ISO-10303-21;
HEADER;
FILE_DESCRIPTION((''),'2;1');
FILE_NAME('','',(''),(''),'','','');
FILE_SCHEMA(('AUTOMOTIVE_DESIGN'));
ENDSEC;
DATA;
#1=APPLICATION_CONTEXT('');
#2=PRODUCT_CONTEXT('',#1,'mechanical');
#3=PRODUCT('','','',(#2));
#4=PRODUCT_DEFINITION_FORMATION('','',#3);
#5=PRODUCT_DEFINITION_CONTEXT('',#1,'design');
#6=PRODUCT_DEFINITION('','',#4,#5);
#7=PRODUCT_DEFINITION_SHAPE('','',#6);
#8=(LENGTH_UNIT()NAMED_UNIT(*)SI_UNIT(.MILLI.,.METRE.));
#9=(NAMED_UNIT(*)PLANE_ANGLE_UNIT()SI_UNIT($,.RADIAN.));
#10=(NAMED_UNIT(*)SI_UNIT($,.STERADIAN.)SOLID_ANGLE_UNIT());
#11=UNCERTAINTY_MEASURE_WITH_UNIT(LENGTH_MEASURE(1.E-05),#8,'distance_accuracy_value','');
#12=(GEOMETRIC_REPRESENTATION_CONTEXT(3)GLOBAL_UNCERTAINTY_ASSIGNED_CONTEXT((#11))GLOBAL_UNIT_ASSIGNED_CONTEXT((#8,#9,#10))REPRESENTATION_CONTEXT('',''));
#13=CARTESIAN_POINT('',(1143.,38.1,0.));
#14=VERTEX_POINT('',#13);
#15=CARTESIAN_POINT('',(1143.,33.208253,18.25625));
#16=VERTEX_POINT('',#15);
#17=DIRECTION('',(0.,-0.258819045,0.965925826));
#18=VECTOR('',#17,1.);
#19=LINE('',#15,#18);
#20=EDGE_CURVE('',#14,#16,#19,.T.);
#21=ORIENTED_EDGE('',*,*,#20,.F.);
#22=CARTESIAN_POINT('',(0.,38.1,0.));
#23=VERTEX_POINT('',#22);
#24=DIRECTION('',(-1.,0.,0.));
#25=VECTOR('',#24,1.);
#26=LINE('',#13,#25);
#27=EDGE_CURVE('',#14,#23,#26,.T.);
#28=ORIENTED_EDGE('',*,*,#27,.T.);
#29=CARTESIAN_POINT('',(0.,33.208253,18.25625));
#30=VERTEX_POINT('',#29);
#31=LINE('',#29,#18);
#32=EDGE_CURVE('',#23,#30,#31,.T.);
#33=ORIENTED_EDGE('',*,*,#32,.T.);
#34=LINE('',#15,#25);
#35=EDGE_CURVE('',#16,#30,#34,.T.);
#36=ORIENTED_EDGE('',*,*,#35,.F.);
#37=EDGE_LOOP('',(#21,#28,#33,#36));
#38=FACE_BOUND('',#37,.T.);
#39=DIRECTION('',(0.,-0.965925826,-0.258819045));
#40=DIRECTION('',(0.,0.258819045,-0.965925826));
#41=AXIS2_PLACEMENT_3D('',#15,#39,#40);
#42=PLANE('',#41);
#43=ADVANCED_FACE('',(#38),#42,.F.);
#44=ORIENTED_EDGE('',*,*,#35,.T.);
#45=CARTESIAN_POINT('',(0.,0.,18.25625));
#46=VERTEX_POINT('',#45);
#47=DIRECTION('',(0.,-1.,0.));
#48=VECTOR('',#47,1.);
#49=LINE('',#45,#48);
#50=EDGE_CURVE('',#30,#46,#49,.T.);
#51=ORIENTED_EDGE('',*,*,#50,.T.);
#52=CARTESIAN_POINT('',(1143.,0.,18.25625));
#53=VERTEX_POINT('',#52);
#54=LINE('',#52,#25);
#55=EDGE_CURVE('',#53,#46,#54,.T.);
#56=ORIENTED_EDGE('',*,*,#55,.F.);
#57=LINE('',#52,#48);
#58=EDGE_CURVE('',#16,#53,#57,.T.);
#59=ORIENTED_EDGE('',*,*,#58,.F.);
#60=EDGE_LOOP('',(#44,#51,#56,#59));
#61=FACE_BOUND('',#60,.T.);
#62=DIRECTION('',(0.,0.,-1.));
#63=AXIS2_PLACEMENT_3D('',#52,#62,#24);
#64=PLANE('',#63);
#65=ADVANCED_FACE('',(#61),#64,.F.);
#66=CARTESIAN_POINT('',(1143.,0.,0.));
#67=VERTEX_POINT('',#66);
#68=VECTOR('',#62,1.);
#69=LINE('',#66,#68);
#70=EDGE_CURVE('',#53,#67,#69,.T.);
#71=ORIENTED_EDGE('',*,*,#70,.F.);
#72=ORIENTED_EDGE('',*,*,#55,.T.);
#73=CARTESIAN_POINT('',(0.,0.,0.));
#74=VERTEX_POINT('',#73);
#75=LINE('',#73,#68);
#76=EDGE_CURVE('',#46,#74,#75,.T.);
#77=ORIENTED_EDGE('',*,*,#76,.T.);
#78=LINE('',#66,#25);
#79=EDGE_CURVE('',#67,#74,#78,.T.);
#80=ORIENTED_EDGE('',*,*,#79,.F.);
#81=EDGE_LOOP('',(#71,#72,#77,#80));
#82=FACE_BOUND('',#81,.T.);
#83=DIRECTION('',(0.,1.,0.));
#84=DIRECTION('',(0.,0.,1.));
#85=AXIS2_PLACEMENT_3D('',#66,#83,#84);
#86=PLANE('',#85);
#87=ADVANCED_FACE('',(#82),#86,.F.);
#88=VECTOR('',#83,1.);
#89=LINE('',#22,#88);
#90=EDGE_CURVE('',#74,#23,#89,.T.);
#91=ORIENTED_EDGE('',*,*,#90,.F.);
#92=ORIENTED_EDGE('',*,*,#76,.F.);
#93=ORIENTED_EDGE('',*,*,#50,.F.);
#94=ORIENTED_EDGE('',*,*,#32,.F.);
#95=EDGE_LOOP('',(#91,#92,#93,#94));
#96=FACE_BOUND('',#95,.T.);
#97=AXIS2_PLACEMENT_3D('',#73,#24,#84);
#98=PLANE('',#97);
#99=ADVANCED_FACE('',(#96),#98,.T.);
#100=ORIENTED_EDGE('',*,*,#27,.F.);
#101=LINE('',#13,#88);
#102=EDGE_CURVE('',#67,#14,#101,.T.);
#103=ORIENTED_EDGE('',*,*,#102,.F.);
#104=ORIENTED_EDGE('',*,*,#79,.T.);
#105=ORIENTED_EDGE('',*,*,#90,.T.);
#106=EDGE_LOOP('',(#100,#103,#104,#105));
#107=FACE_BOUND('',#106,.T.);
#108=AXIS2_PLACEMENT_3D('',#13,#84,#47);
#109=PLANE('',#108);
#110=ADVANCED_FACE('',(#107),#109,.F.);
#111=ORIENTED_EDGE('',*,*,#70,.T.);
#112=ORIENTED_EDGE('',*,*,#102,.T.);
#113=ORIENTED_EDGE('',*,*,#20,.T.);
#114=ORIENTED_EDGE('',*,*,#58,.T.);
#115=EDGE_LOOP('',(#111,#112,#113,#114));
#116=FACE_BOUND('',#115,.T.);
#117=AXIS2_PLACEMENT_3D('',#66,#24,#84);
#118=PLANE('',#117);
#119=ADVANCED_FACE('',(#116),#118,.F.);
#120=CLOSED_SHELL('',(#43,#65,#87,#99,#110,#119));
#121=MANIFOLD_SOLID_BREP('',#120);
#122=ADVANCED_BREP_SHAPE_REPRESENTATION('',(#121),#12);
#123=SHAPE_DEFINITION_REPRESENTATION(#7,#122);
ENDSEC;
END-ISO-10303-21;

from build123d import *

# Parameters (mm, degrees)
BOSS_EXTRUDE1_DEPTH = 1143


with BuildPart() as part:
    # Sketch1 → Boss-Extrude1 (new body)
    with BuildSketch(Plane(origin=(0, 0, 0), x_dir=(0, 0, -1), z_dir=(1, 0, 0))):
        Polygon((0, 0), (-18.25625, 0), (-18.25625, 33.208252556), (0, 38.1), align=None)
    extrude(amount=BOSS_EXTRUDE1_DEPTH)


solid = part.part
